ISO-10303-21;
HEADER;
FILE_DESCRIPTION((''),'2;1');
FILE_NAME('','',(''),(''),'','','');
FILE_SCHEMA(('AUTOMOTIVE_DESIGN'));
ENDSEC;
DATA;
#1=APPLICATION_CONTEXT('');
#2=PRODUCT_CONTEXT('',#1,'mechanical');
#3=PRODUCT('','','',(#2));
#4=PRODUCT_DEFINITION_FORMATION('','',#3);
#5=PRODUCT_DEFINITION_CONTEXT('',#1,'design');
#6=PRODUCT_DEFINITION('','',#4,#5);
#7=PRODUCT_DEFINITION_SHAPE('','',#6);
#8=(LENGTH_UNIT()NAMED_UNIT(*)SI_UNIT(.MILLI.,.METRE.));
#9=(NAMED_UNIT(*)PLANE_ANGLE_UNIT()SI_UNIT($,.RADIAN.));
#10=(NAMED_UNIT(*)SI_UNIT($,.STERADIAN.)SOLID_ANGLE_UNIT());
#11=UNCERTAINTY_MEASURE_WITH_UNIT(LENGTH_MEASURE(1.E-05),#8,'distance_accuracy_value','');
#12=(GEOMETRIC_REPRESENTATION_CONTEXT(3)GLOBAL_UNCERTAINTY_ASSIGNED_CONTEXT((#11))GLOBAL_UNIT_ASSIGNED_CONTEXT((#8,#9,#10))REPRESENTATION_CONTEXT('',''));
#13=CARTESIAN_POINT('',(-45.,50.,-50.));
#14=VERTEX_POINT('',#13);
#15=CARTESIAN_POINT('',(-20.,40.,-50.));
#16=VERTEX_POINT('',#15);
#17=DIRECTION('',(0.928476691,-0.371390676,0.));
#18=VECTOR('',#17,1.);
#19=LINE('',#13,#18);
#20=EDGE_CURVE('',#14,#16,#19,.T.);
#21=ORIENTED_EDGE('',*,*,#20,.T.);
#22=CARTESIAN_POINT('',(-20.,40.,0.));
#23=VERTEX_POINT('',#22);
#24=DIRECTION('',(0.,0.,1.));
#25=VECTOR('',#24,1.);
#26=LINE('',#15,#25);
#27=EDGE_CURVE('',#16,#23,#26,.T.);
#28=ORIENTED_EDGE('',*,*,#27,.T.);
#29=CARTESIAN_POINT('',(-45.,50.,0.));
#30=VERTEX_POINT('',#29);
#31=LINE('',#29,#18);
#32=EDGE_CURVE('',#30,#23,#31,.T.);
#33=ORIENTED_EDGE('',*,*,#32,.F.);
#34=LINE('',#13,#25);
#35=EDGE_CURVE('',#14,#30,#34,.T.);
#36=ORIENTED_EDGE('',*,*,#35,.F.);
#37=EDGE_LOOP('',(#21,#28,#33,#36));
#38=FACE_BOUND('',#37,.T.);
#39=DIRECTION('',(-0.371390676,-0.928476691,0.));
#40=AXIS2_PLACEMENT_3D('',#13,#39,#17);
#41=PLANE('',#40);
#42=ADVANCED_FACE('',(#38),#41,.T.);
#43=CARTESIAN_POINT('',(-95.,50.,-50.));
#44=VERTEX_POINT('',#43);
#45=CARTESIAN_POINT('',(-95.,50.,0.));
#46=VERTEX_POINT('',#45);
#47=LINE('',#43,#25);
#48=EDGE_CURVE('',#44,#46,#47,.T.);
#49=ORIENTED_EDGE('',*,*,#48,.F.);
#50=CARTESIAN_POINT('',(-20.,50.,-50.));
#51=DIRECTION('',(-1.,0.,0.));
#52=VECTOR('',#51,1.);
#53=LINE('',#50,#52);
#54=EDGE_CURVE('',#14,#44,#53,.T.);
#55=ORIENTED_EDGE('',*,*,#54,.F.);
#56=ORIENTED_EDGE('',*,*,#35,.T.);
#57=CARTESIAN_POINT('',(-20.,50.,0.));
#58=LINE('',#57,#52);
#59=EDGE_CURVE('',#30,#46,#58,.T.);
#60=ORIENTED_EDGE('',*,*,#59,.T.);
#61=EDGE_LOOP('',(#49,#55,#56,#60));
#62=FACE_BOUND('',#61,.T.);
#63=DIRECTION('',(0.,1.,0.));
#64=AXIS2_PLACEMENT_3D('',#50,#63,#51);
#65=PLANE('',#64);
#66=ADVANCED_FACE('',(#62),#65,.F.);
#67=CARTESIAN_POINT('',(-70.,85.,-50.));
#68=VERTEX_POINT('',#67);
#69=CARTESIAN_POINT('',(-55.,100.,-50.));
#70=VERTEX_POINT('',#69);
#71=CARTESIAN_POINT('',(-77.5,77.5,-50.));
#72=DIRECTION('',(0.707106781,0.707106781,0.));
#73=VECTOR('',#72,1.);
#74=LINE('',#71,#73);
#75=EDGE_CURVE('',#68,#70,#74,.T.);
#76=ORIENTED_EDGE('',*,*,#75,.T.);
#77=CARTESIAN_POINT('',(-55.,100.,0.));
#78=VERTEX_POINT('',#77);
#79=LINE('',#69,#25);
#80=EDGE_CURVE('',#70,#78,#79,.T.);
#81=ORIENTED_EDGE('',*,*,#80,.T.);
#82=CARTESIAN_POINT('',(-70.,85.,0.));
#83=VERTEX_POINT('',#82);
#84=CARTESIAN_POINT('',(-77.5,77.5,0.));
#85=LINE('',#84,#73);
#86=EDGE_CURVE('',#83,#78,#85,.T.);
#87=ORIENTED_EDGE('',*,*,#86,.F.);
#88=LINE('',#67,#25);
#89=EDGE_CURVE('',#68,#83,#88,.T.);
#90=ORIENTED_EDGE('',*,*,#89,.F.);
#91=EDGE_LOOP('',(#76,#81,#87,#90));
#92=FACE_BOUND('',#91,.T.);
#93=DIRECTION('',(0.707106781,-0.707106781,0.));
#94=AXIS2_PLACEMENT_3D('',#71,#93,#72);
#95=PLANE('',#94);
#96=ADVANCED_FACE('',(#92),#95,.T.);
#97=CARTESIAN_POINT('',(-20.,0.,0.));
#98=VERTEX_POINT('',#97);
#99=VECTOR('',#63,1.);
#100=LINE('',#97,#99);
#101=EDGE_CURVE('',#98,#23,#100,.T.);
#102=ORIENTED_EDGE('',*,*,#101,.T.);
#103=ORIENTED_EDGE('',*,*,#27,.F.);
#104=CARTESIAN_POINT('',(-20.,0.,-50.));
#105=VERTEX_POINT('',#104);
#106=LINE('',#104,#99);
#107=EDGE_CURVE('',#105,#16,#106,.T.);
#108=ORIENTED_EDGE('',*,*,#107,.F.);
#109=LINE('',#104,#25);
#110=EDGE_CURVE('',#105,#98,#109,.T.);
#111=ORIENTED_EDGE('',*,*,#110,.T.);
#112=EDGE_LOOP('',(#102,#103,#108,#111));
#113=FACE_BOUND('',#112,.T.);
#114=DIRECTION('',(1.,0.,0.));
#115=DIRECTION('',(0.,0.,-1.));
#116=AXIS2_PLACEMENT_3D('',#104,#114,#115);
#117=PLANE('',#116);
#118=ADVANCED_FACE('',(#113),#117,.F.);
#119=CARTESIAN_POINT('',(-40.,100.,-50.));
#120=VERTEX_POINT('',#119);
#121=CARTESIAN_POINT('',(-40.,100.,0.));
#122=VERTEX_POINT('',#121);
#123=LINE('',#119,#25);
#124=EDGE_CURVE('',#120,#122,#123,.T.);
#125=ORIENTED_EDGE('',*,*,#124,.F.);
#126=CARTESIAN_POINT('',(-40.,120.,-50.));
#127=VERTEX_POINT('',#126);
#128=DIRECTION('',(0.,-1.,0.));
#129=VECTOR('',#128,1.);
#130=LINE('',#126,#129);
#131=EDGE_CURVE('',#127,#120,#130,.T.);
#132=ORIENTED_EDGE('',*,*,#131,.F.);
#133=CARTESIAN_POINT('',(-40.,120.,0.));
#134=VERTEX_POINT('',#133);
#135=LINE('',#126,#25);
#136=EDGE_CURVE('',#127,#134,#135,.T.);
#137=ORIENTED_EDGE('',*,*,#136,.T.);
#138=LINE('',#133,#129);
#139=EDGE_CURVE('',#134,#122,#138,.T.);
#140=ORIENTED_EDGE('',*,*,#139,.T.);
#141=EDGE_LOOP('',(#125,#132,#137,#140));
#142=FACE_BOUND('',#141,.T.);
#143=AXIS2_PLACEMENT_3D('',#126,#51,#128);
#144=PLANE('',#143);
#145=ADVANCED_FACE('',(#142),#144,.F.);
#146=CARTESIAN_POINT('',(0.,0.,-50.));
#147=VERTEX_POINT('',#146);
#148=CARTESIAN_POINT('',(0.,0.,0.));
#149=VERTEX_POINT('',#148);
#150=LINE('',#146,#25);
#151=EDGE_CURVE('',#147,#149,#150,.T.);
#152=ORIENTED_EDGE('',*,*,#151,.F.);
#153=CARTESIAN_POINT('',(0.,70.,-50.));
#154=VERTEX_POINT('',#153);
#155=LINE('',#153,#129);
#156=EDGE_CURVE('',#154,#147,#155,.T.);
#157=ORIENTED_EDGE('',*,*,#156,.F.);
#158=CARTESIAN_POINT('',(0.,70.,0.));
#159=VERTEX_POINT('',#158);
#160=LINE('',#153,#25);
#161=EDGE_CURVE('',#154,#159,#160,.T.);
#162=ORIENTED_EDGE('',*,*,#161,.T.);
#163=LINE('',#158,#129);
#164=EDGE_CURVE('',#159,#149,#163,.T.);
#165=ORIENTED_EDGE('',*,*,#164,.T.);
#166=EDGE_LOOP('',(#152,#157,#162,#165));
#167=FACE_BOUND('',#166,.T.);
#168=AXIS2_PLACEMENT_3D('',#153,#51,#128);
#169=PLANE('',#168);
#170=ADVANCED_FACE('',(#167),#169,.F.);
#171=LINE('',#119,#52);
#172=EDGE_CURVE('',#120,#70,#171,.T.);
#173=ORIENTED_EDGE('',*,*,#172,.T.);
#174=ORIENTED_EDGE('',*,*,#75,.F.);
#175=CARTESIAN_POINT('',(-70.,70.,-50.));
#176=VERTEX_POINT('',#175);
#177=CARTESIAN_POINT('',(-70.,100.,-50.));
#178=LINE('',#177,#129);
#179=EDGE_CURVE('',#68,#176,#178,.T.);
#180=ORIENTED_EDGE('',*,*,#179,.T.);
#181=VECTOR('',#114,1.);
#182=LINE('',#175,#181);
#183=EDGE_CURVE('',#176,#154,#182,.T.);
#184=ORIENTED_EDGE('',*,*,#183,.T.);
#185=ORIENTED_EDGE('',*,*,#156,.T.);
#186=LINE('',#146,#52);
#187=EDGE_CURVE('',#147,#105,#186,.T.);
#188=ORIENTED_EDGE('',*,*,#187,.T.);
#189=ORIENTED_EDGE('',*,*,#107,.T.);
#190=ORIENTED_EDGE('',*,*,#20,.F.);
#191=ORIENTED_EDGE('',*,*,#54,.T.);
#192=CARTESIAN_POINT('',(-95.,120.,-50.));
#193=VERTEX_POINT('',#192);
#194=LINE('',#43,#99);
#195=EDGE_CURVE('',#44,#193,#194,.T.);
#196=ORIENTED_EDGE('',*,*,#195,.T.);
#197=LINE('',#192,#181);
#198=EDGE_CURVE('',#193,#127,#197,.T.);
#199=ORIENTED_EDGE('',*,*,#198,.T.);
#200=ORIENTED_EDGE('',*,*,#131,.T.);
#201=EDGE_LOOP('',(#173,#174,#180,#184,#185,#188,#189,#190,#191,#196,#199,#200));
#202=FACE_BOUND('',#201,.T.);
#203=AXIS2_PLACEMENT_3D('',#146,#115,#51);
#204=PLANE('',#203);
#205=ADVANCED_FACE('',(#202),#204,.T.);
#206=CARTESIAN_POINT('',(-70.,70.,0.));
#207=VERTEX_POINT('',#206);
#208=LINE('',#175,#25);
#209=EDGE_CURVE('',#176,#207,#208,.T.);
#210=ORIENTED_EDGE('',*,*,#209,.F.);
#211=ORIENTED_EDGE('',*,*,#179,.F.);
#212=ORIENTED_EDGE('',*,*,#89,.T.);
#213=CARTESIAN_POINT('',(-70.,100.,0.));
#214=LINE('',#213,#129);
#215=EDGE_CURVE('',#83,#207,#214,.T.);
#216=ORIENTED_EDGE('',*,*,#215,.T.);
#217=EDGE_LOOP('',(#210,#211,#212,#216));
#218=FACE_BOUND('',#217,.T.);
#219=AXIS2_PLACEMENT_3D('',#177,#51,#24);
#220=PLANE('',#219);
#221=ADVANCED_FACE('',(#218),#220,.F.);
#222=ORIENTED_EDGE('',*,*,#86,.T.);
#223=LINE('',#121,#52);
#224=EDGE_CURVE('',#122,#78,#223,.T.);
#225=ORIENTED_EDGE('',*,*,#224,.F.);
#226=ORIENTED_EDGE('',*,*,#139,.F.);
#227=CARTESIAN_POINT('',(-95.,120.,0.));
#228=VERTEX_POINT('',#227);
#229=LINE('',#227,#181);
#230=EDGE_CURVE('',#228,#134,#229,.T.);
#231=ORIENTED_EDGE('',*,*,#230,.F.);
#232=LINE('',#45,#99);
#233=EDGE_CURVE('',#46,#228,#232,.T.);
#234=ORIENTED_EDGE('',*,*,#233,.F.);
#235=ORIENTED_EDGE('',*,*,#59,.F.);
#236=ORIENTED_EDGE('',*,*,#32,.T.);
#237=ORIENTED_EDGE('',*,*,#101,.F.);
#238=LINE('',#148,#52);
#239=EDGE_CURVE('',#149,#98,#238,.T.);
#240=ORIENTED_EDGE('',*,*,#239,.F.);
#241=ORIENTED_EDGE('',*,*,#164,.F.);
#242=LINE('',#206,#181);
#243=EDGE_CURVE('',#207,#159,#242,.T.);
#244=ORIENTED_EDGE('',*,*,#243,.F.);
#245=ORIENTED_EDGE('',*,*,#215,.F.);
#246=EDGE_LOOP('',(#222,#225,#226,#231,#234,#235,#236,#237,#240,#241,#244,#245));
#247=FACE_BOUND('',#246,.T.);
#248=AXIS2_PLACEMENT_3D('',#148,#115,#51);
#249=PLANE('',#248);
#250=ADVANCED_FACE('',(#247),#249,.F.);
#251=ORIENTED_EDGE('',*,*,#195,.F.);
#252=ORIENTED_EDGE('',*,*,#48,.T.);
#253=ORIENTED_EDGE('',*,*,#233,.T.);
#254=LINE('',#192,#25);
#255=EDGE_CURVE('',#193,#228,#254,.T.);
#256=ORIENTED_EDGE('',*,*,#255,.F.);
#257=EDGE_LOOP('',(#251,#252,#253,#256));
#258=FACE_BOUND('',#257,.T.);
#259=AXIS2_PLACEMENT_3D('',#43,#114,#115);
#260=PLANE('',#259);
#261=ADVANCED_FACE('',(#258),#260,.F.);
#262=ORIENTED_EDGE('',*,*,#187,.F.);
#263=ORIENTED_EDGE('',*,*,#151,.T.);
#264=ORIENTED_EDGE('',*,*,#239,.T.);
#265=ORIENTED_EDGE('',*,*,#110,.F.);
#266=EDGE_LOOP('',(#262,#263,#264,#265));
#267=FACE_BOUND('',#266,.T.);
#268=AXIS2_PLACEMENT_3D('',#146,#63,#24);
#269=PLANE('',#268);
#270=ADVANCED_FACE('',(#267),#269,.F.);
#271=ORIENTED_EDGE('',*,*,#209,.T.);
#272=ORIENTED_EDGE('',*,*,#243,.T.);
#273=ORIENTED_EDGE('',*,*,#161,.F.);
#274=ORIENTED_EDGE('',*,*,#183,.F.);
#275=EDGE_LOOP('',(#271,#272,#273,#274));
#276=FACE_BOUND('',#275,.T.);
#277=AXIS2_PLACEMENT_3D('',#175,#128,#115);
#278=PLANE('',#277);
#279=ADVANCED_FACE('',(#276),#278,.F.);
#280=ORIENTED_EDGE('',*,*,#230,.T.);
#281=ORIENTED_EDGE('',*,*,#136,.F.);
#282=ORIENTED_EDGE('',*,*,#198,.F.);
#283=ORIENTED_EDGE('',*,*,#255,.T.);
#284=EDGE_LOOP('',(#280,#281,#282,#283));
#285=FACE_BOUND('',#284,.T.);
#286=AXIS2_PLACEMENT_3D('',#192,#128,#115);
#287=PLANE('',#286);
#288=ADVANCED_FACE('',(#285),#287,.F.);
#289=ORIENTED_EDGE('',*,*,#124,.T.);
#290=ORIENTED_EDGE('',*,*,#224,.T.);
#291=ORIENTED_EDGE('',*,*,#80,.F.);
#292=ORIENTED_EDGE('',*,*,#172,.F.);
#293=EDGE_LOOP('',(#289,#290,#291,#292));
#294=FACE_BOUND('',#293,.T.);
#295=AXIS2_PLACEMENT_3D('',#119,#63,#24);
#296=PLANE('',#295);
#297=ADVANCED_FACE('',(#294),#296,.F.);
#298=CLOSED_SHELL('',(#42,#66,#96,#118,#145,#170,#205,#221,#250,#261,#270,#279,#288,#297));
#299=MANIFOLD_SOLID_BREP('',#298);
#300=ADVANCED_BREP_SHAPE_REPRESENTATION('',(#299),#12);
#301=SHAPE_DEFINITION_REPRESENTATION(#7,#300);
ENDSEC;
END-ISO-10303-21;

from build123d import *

# Parameters (mm, degrees)
BOSS_EXTRU_1_DEPTH = 50
BOSS_EXTRU_2_DEPTH = 50
BOSS_EXTRU_3_DEPTH = 50


with BuildPart() as part:
    # Esquisse1 → Boss.-Extru.1 (new body)
    with BuildSketch(Plane.XY):
        Polygon((-40, 100), (-70, 100), (-70, 70), (0, 70), (0, 0), (-20, 0), (-20, 50), (-95, 50), (-95, 120), (-40, 120), align=None)
    extrude(amount=-BOSS_EXTRU_1_DEPTH)

    # Esquisse3 → Boss.-Extru.2 (add)
    with BuildSketch(Plane.XY):
        Polygon((-45, 50), (-20, 40), (-20, 50), align=None)
    extrude(amount=-BOSS_EXTRU_2_DEPTH)

    # Esquisse3<4> → Boss.-Extru.3 (add)
    with BuildSketch(Plane.XY):
        Polygon((-70, 100), (-70, 85), (-55, 100), align=None)
    extrude(amount=-BOSS_EXTRU_3_DEPTH)


solid = part.part
